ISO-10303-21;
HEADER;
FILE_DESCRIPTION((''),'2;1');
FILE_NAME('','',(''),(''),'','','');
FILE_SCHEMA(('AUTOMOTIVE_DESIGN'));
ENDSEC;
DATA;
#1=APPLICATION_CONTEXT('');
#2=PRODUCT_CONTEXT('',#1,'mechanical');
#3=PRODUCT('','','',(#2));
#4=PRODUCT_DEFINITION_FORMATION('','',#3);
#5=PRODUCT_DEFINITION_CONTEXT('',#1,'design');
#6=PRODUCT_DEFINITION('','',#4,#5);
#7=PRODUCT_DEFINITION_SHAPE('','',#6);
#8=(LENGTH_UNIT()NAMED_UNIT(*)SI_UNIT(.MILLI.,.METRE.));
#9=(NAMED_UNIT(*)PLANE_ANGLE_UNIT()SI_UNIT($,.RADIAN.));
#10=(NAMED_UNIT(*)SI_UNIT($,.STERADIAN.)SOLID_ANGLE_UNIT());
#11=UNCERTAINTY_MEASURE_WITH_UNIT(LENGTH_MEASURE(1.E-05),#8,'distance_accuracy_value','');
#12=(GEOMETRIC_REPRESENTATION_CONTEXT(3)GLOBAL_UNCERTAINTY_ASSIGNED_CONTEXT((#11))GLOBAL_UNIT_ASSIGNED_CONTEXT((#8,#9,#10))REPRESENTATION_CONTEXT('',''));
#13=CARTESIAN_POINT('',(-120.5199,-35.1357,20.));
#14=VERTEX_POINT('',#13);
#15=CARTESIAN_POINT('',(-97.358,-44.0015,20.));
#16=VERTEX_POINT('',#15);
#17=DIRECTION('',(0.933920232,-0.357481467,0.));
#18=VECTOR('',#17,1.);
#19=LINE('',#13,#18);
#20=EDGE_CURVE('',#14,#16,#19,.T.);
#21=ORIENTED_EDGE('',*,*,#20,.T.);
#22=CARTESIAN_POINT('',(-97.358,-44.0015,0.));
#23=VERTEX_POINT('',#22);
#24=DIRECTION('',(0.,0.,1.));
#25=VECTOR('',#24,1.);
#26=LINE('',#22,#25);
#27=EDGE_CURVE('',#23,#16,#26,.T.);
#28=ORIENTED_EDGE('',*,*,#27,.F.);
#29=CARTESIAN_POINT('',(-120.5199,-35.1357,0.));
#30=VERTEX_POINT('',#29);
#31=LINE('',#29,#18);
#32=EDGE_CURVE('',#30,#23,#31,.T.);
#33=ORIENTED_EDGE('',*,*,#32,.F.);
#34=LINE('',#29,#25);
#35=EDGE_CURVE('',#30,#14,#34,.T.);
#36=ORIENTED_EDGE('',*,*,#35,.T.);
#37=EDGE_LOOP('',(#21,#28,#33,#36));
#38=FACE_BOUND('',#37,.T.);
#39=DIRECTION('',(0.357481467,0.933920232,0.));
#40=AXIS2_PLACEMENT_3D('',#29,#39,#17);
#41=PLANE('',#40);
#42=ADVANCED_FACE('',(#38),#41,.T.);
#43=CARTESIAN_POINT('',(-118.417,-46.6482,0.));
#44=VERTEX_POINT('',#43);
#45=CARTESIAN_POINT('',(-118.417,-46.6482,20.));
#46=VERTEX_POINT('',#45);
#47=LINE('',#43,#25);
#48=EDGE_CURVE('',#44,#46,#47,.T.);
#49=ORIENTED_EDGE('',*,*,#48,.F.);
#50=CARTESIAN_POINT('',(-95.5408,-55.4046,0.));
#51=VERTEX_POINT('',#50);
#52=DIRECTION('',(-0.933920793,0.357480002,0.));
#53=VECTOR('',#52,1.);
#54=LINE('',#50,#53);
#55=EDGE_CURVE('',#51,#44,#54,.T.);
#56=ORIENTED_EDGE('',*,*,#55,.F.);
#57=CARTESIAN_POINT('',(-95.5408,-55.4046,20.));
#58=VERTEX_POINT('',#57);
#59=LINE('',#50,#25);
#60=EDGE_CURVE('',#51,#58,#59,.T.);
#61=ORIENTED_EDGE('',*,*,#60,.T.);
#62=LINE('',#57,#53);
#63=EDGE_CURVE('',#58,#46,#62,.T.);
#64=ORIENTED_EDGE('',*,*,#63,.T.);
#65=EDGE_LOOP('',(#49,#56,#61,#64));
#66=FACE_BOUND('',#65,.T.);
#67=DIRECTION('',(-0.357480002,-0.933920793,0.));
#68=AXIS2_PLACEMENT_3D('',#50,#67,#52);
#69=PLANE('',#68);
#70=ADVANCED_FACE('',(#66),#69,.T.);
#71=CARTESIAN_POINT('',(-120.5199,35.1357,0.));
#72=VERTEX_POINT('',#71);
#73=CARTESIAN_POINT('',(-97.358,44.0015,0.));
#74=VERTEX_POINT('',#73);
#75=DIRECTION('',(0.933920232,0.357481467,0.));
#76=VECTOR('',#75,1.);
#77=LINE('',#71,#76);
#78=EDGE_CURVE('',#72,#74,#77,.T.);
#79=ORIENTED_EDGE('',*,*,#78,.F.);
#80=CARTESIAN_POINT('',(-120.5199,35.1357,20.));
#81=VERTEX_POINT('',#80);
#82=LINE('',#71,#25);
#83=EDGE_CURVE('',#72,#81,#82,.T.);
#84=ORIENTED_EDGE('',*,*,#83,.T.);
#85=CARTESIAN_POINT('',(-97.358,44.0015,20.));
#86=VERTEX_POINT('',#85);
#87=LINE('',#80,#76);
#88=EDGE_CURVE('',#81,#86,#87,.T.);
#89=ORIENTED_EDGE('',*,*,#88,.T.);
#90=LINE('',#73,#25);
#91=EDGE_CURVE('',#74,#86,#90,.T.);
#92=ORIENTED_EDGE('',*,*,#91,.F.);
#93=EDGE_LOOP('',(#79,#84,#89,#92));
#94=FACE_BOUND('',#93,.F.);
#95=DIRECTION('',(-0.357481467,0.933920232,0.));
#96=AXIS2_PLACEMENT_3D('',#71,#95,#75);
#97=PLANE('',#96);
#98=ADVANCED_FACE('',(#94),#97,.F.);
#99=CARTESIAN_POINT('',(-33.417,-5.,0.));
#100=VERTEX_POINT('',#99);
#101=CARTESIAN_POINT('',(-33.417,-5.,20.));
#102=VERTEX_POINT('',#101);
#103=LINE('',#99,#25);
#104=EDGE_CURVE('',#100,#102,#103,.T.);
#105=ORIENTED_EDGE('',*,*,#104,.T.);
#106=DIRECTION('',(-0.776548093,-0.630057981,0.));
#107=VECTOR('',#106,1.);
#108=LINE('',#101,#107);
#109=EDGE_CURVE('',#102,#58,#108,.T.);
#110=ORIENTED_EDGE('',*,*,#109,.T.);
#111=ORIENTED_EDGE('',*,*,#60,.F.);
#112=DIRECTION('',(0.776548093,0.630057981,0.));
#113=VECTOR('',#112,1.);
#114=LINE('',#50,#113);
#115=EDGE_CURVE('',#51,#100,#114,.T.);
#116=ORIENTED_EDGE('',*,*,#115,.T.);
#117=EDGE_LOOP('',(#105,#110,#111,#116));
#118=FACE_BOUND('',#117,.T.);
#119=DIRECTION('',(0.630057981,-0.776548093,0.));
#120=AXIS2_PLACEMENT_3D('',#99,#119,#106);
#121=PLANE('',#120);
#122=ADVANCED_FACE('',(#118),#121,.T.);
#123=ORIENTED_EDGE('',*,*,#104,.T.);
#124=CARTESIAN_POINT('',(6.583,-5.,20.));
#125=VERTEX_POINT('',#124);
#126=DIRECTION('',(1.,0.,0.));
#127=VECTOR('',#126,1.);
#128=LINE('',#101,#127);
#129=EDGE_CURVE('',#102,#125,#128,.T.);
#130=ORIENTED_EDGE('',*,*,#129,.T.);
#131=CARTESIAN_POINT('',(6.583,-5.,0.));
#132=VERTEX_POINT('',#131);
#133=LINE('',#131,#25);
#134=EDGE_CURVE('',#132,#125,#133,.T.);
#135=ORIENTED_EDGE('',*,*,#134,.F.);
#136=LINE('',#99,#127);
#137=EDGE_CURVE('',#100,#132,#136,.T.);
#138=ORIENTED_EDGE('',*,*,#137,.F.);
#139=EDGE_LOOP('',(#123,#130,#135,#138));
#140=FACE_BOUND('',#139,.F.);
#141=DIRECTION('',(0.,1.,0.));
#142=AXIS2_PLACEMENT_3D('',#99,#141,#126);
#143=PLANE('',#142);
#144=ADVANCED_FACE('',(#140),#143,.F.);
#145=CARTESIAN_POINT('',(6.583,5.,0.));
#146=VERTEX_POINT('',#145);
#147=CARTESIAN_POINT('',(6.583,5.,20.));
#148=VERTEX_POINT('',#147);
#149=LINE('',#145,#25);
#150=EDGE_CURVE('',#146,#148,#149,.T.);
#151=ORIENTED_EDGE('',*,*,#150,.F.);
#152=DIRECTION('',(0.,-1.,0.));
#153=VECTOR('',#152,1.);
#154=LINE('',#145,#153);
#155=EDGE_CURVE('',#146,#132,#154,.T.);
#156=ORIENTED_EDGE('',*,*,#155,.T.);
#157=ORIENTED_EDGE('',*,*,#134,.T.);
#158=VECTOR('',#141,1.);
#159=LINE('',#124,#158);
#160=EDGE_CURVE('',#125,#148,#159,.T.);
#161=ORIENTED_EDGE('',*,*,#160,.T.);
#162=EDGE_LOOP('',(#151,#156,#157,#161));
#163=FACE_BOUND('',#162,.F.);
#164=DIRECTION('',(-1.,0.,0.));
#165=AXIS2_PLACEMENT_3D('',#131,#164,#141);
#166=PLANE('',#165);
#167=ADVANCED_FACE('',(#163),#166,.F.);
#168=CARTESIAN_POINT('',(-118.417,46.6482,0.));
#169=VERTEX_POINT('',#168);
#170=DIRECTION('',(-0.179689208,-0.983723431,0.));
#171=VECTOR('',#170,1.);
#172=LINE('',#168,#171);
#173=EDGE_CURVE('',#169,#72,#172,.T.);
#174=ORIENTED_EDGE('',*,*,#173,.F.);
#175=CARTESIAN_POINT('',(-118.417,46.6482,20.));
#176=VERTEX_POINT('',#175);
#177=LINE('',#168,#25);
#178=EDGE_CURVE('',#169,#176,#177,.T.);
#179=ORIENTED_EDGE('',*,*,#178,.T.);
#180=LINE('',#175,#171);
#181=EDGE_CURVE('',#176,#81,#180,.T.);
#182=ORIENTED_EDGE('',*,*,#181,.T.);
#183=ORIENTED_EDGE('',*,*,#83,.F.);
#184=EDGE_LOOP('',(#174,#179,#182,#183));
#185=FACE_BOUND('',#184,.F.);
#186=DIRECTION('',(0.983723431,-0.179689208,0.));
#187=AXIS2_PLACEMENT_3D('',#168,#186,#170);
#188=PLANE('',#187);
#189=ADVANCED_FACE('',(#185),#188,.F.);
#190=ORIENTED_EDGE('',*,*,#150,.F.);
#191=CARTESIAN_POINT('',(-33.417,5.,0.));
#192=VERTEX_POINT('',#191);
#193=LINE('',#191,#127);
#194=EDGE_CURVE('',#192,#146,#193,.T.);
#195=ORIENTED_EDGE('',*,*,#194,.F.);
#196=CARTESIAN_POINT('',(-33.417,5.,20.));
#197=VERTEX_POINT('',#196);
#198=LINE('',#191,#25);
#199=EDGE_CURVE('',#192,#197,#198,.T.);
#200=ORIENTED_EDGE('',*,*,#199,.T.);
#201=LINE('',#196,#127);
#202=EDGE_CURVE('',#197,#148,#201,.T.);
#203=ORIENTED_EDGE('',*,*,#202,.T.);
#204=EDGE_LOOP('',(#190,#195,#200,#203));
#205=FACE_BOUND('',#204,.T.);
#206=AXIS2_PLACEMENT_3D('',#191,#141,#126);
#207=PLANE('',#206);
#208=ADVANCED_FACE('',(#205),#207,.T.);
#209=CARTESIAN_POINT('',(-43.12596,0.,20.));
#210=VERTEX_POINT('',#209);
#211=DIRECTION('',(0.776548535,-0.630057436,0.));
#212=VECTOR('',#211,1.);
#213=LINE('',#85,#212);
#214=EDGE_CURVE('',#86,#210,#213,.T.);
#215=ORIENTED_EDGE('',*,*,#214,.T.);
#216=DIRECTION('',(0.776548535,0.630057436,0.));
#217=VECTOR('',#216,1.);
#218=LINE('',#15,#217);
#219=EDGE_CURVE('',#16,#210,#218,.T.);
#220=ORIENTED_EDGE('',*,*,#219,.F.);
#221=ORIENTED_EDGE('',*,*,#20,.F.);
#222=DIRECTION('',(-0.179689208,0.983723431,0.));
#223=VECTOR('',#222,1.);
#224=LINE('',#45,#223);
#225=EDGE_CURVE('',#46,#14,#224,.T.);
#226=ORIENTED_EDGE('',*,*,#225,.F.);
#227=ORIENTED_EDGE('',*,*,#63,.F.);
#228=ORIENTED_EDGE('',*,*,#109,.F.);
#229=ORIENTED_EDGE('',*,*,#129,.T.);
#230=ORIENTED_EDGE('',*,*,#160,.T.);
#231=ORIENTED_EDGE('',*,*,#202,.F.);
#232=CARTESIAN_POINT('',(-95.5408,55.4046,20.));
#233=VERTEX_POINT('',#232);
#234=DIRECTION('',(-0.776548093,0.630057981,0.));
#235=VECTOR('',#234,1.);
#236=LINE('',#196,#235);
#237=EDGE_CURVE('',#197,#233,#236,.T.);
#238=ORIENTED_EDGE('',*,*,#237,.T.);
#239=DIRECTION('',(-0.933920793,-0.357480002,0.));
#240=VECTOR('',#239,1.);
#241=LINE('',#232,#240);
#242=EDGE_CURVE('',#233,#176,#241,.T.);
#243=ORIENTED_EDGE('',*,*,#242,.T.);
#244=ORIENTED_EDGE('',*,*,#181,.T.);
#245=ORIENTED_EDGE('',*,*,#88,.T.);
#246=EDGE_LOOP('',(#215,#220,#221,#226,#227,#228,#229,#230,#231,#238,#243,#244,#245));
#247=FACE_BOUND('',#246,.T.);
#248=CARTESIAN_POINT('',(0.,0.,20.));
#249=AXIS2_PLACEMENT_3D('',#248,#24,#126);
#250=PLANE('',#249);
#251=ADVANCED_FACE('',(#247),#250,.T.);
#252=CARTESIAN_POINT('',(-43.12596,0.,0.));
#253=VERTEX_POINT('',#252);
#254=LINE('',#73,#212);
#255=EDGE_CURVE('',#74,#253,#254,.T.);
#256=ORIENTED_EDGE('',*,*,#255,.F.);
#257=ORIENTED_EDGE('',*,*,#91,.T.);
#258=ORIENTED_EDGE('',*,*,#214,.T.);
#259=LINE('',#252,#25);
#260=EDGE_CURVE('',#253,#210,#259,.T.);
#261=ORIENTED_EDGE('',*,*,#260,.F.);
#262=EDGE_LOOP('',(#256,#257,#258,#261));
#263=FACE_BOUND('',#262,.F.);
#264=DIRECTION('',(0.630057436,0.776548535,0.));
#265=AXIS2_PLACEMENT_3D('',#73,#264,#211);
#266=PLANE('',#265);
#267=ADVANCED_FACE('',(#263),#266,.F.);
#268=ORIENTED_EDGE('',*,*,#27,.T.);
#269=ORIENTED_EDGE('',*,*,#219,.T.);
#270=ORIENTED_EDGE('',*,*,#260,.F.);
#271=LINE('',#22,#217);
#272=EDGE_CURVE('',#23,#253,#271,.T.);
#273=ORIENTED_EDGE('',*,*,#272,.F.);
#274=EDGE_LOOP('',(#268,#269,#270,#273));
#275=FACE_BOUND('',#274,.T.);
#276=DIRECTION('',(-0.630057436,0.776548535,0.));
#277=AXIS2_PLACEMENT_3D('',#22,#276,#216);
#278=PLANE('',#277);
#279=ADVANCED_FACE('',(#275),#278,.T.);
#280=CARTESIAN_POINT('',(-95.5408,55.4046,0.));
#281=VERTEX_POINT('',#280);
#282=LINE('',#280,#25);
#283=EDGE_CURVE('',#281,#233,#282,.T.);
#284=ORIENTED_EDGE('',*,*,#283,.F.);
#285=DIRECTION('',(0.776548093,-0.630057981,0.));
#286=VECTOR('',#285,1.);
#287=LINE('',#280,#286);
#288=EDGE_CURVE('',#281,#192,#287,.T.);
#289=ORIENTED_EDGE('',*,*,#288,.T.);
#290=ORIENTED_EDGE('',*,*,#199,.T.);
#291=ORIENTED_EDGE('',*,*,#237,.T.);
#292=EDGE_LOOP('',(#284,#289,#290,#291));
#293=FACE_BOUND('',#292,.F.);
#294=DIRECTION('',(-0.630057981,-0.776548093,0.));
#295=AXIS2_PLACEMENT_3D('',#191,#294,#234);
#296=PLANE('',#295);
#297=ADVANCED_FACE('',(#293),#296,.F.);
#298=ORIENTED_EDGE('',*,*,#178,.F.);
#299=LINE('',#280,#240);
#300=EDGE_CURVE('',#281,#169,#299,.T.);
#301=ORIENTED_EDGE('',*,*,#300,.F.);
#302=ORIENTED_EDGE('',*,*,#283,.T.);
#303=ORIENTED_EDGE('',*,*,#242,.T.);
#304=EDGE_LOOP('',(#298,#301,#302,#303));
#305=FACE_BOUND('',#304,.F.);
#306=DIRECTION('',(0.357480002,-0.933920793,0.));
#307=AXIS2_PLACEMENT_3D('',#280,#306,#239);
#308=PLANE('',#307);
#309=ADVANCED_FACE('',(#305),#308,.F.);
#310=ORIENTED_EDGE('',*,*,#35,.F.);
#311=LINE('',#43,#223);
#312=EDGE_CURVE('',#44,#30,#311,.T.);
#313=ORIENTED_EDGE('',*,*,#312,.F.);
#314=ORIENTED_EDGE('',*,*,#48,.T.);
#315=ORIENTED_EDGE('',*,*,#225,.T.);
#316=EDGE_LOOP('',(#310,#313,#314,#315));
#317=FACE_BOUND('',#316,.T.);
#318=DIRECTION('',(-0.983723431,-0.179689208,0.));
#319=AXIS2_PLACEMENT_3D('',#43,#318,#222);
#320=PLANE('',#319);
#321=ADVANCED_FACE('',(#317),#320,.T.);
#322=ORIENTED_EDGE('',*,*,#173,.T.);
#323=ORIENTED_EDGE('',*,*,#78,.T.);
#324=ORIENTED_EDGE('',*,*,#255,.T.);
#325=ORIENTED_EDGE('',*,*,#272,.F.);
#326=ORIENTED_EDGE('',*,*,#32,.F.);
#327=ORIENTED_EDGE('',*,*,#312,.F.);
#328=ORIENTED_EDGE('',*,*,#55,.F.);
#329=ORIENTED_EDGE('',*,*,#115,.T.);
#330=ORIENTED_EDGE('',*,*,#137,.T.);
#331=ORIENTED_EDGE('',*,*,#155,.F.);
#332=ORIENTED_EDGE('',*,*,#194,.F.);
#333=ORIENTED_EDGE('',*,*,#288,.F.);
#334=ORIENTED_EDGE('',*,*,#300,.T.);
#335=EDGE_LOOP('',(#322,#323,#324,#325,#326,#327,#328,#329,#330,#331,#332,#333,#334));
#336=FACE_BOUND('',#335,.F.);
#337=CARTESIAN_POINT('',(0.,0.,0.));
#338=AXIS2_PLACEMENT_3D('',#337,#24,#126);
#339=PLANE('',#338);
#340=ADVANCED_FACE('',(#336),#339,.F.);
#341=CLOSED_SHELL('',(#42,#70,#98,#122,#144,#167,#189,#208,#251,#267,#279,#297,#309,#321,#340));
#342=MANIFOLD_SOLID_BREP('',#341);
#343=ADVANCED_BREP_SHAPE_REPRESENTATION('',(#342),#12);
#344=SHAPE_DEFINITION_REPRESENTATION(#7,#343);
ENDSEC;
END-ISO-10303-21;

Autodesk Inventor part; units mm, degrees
ref_plane "YZ Plane" through (0, 0, 0) normal (1, 0, 0) x (0, 1, 0)
ref_plane "XZ Plane" through (0, 0, 0) normal (0, 1, 0) x (-1, 0, 0)
ref_plane "XY Plane" through (0, 0, 0) normal (0, 0, 1) x (1, 0, 0)
sketch "Esboço1" plane through (0, 0, 0) normal (0, 0, 1) x (1, 0, 0)
  line L0 (-33.417, 5) -> (-95.5408, 55.4046)
  line L1 (-95.5408, 55.4046) -> (-118.417, 46.6482)
  line L2 (-118.417, 46.6482) -> (-120.5199, 35.1357)
  line L3 (-120.5199, 35.1357) -> (-97.358, 44.0015)
  line L4 (-97.358, 44.0015) -> (-22.0526, -17.098)
  line L5 (0, 0) -> (-33.417, 0)
  line L6 (-33.417, 5) -> (6.583, 5)
  line L7 (6.583, 5) -> (6.583, 0)
  line L8 (6.583, 0) -> (-33.417, 0)
  line L9 (-33.417, 0) -> (-33.417, 5)
  line L10 (-33.417, -5) -> (-95.5408, -55.4046)
  line L11 (-95.5408, -55.4046) -> (-118.417, -46.6482)
  line L12 (-118.417, -46.6482) -> (-120.5199, -35.1357)
  line L13 (-120.5199, -35.1357) -> (-97.358, -44.0015)
  line L14 (-97.358, -44.0015) -> (-22.0526, 17.098)
  line L15 (-33.417, -5) -> (6.583, -5)
  line L16 (6.583, -5) -> (6.583, 0)
  line L17 (-33.417, 0) -> (-33.417, -5)
  point P0 (-43.126, 0)
  dimension "d2" = 10
  dimension "d4" = 120
  dimension "d7" = 10
  dimension "d8" = 80
  dimension "d10" = 40
  dimension "d11" = 5
  dimension "d12" = 125
  dimension "d13" = 35.1357
extrude "Extrusão1" add sketch "Esboço1" along normal blind 20
properties part number "pinca"
